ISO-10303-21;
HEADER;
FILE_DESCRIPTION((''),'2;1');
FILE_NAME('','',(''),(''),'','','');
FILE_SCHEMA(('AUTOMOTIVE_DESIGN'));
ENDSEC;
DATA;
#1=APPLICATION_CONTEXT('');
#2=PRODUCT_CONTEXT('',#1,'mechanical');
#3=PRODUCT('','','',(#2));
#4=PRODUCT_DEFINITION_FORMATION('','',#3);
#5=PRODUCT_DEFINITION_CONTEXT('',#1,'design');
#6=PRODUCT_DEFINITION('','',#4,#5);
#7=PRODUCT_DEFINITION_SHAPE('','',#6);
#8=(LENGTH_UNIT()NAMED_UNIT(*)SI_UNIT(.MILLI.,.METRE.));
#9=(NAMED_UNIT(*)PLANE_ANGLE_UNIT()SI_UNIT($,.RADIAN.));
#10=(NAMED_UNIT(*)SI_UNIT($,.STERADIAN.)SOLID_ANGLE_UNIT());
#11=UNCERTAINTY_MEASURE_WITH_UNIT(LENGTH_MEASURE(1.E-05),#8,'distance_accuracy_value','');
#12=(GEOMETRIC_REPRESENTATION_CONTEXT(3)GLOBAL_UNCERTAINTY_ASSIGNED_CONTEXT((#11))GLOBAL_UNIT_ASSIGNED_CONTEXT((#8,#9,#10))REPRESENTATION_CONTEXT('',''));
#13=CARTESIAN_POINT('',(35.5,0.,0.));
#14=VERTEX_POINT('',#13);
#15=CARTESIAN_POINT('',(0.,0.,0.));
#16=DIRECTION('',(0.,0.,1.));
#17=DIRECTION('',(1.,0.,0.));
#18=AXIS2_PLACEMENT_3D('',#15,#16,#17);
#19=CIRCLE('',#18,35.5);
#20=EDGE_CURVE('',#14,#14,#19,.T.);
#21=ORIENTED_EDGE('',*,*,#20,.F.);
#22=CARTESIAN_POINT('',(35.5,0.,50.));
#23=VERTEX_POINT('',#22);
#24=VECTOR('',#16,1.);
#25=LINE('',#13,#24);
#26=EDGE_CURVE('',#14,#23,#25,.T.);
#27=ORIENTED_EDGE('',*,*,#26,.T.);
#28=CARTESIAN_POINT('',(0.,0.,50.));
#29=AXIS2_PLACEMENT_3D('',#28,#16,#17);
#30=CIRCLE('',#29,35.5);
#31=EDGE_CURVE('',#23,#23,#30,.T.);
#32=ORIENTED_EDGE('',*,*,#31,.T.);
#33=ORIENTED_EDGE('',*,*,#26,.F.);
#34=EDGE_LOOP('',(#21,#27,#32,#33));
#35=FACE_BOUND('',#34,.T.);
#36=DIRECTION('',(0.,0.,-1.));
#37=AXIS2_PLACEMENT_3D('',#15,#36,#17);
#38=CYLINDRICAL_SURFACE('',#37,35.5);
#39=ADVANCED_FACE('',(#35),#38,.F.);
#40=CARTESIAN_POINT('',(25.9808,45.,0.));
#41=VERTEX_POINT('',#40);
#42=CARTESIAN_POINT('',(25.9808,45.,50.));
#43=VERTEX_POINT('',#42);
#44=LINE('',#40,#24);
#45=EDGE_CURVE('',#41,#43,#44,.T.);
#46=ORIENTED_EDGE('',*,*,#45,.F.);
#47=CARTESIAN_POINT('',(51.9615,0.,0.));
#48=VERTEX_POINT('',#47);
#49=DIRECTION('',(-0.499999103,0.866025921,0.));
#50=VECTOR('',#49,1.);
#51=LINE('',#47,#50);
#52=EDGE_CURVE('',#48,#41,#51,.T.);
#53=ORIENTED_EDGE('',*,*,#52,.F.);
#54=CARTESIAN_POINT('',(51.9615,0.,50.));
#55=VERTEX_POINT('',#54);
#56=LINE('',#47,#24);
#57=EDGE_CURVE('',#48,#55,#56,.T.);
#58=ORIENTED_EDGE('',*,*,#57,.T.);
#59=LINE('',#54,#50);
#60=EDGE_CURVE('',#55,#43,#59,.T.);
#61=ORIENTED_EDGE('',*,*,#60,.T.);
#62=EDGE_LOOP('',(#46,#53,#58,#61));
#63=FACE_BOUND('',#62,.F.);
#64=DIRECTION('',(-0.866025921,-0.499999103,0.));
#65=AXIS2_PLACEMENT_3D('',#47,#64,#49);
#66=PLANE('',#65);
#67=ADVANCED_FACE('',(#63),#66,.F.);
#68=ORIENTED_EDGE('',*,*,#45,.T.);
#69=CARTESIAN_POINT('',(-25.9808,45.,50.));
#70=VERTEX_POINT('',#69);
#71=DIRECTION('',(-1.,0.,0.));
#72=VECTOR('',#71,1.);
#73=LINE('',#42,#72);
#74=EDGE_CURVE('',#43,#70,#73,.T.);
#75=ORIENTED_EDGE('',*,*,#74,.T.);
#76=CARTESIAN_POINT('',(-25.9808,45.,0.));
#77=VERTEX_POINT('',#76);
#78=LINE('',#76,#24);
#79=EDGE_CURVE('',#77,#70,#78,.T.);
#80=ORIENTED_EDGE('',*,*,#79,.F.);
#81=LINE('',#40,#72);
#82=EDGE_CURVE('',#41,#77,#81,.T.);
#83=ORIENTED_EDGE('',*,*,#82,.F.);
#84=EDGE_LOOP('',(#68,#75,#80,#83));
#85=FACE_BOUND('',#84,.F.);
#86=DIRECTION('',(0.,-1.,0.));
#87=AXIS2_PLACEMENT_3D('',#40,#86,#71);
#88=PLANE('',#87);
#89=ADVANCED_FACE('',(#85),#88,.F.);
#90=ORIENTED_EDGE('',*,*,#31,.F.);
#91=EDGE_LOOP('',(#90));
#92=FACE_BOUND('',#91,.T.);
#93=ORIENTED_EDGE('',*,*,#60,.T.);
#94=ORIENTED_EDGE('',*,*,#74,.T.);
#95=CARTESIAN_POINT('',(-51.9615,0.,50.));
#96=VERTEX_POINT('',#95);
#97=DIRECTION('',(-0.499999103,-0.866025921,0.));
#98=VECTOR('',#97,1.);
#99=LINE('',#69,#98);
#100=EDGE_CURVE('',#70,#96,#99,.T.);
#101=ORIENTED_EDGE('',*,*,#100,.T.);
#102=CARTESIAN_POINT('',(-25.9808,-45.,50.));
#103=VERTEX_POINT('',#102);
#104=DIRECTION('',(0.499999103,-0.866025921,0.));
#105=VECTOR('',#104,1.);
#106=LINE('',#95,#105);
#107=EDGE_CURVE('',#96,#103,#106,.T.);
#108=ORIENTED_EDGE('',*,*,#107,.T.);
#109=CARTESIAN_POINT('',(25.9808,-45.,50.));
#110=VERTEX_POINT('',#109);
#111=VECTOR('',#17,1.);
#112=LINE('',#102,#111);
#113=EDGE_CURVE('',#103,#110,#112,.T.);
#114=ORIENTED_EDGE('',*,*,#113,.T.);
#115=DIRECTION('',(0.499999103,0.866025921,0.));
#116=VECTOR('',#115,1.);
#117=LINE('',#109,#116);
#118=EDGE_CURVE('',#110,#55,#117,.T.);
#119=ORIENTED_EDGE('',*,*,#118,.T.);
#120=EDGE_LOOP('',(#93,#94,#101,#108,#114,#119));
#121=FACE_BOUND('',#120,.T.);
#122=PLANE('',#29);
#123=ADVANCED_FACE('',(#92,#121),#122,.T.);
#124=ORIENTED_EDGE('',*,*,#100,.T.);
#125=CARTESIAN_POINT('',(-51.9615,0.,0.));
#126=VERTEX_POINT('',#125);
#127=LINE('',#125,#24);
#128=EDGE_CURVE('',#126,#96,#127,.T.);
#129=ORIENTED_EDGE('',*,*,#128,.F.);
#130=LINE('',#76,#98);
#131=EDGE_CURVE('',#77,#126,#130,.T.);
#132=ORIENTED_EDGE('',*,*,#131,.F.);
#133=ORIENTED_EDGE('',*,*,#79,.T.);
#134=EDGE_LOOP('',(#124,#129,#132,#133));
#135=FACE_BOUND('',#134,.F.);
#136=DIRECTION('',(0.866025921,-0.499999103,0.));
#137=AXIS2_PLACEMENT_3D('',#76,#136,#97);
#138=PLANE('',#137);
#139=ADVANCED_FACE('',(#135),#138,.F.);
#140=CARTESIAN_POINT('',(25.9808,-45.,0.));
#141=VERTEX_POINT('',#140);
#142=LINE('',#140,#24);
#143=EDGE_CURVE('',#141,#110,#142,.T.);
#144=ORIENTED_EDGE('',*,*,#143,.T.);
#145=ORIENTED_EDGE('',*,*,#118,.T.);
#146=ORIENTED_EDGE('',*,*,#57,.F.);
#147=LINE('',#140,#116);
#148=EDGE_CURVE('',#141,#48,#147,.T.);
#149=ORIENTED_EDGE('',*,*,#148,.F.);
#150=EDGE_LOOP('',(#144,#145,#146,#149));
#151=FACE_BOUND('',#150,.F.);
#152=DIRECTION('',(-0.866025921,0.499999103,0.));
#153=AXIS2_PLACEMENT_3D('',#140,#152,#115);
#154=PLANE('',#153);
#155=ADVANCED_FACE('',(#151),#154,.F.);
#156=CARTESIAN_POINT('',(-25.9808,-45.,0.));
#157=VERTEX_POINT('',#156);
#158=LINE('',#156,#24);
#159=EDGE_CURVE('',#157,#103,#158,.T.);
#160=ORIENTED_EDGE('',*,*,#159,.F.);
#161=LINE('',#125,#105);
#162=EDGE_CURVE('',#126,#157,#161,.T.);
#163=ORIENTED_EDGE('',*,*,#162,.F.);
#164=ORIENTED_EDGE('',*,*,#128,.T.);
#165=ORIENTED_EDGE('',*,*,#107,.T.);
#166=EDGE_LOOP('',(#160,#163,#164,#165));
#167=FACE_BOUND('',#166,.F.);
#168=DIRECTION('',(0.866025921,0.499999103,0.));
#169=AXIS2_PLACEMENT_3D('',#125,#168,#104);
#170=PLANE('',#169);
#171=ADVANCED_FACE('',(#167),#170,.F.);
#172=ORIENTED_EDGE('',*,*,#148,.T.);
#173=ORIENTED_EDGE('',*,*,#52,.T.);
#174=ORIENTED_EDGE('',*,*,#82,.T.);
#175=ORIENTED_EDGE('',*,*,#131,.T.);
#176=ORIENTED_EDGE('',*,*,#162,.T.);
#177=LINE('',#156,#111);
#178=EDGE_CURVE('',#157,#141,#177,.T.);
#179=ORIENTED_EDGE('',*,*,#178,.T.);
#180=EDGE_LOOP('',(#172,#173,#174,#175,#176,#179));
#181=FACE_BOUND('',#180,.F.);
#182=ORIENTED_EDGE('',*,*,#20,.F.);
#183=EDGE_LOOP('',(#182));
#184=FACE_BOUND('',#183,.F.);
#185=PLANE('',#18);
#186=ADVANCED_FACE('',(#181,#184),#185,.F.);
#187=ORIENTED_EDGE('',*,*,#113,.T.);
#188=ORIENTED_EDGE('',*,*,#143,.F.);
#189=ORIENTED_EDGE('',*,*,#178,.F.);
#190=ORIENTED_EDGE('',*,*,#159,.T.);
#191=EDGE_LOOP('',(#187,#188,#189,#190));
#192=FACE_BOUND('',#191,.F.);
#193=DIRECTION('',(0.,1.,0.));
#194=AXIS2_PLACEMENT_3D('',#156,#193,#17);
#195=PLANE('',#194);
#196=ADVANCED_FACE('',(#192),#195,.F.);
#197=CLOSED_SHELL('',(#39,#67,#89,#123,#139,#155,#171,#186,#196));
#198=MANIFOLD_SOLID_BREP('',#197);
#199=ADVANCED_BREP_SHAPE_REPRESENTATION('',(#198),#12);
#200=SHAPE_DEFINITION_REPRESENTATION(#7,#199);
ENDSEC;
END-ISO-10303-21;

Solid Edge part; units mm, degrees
sketch "Sketch1" plane through (0, 0, 0) normal (0, 0, 1) x (1, 0, 0)
  line L0 (-25.9808, 45) -> (-51.9615, 0)
  line L1 (-51.9615, 0) -> (-25.9808, -45)
  line L2 (-25.9808, -45) -> (25.9808, -45)
  line L3 (25.9808, -45) -> (51.9615, 0)
  line L4 (51.9615, 0) -> (25.9808, 45)
  line L5 (25.9808, 45) -> (-25.9808, 45)
  circle A0 centre (0, 0) radius 35.5
  dimension "D1" = 90
extrude "Protrusion1" add sketch "Sketch1" along normal blind 50
